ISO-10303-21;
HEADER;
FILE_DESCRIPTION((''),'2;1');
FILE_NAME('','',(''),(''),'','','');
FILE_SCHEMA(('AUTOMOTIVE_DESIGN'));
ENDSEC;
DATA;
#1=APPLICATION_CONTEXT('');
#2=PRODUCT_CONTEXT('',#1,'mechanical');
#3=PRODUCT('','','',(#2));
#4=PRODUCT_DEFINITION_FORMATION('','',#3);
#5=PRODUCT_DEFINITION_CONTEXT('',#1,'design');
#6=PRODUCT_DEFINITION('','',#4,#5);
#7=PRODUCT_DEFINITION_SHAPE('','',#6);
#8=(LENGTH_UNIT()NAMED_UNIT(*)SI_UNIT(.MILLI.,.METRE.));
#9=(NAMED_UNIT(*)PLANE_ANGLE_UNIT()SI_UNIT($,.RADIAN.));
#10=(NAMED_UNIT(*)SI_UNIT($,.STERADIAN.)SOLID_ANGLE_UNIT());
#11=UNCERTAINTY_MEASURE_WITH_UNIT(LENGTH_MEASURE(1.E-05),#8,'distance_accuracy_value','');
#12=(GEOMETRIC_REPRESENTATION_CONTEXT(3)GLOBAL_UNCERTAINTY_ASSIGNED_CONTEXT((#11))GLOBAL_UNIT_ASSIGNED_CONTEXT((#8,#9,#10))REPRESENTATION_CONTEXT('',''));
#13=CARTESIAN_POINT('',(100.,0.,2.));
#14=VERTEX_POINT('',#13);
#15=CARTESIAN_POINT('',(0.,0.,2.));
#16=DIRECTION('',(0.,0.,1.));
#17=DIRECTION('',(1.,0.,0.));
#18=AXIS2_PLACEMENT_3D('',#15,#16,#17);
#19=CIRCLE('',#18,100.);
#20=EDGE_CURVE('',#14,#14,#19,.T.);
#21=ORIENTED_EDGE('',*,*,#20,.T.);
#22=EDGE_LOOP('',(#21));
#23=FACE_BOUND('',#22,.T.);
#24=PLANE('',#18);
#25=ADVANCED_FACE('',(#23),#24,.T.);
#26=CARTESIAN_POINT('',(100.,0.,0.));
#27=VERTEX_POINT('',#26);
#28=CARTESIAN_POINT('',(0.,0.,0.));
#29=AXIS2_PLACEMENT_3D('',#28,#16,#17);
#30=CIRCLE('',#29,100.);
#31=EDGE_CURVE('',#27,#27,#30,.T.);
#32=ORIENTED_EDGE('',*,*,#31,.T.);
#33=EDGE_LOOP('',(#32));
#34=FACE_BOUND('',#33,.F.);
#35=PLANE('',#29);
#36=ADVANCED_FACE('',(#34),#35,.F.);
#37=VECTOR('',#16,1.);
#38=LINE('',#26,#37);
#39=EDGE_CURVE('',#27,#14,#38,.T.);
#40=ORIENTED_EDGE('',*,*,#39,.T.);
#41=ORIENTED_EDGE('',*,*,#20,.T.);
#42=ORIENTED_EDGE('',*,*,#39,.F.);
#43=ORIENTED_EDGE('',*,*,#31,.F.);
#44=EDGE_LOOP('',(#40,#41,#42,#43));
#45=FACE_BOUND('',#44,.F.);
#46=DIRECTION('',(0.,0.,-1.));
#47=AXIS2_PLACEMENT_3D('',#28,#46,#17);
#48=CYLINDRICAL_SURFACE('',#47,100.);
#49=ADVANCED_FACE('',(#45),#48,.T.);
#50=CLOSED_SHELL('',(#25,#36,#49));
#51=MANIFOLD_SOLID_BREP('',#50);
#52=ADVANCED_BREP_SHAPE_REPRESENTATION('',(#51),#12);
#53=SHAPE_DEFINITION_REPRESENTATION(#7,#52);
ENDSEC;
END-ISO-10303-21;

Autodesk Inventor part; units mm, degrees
ref_plane "YZ Plane" through (0, 0, 0) normal (1, 0, 0) x (0, 1, 0)
ref_plane "XZ Plane" through (0, 0, 0) normal (0, 1, 0) x (-1, 0, 0)
ref_plane "XY Plane" through (0, 0, 0) normal (0, 0, 1) x (1, 0, 0)
sketch "Sketch1" plane through (0, 0, 0) normal (0, 0, 1) x (1, 0, 0)
  circle A0 centre (0, 0) radius 100
  dimension "d0" = 200
extrude "Extrusion1" add sketch "Sketch1" along normal blind 2
properties part number "hot bed"
